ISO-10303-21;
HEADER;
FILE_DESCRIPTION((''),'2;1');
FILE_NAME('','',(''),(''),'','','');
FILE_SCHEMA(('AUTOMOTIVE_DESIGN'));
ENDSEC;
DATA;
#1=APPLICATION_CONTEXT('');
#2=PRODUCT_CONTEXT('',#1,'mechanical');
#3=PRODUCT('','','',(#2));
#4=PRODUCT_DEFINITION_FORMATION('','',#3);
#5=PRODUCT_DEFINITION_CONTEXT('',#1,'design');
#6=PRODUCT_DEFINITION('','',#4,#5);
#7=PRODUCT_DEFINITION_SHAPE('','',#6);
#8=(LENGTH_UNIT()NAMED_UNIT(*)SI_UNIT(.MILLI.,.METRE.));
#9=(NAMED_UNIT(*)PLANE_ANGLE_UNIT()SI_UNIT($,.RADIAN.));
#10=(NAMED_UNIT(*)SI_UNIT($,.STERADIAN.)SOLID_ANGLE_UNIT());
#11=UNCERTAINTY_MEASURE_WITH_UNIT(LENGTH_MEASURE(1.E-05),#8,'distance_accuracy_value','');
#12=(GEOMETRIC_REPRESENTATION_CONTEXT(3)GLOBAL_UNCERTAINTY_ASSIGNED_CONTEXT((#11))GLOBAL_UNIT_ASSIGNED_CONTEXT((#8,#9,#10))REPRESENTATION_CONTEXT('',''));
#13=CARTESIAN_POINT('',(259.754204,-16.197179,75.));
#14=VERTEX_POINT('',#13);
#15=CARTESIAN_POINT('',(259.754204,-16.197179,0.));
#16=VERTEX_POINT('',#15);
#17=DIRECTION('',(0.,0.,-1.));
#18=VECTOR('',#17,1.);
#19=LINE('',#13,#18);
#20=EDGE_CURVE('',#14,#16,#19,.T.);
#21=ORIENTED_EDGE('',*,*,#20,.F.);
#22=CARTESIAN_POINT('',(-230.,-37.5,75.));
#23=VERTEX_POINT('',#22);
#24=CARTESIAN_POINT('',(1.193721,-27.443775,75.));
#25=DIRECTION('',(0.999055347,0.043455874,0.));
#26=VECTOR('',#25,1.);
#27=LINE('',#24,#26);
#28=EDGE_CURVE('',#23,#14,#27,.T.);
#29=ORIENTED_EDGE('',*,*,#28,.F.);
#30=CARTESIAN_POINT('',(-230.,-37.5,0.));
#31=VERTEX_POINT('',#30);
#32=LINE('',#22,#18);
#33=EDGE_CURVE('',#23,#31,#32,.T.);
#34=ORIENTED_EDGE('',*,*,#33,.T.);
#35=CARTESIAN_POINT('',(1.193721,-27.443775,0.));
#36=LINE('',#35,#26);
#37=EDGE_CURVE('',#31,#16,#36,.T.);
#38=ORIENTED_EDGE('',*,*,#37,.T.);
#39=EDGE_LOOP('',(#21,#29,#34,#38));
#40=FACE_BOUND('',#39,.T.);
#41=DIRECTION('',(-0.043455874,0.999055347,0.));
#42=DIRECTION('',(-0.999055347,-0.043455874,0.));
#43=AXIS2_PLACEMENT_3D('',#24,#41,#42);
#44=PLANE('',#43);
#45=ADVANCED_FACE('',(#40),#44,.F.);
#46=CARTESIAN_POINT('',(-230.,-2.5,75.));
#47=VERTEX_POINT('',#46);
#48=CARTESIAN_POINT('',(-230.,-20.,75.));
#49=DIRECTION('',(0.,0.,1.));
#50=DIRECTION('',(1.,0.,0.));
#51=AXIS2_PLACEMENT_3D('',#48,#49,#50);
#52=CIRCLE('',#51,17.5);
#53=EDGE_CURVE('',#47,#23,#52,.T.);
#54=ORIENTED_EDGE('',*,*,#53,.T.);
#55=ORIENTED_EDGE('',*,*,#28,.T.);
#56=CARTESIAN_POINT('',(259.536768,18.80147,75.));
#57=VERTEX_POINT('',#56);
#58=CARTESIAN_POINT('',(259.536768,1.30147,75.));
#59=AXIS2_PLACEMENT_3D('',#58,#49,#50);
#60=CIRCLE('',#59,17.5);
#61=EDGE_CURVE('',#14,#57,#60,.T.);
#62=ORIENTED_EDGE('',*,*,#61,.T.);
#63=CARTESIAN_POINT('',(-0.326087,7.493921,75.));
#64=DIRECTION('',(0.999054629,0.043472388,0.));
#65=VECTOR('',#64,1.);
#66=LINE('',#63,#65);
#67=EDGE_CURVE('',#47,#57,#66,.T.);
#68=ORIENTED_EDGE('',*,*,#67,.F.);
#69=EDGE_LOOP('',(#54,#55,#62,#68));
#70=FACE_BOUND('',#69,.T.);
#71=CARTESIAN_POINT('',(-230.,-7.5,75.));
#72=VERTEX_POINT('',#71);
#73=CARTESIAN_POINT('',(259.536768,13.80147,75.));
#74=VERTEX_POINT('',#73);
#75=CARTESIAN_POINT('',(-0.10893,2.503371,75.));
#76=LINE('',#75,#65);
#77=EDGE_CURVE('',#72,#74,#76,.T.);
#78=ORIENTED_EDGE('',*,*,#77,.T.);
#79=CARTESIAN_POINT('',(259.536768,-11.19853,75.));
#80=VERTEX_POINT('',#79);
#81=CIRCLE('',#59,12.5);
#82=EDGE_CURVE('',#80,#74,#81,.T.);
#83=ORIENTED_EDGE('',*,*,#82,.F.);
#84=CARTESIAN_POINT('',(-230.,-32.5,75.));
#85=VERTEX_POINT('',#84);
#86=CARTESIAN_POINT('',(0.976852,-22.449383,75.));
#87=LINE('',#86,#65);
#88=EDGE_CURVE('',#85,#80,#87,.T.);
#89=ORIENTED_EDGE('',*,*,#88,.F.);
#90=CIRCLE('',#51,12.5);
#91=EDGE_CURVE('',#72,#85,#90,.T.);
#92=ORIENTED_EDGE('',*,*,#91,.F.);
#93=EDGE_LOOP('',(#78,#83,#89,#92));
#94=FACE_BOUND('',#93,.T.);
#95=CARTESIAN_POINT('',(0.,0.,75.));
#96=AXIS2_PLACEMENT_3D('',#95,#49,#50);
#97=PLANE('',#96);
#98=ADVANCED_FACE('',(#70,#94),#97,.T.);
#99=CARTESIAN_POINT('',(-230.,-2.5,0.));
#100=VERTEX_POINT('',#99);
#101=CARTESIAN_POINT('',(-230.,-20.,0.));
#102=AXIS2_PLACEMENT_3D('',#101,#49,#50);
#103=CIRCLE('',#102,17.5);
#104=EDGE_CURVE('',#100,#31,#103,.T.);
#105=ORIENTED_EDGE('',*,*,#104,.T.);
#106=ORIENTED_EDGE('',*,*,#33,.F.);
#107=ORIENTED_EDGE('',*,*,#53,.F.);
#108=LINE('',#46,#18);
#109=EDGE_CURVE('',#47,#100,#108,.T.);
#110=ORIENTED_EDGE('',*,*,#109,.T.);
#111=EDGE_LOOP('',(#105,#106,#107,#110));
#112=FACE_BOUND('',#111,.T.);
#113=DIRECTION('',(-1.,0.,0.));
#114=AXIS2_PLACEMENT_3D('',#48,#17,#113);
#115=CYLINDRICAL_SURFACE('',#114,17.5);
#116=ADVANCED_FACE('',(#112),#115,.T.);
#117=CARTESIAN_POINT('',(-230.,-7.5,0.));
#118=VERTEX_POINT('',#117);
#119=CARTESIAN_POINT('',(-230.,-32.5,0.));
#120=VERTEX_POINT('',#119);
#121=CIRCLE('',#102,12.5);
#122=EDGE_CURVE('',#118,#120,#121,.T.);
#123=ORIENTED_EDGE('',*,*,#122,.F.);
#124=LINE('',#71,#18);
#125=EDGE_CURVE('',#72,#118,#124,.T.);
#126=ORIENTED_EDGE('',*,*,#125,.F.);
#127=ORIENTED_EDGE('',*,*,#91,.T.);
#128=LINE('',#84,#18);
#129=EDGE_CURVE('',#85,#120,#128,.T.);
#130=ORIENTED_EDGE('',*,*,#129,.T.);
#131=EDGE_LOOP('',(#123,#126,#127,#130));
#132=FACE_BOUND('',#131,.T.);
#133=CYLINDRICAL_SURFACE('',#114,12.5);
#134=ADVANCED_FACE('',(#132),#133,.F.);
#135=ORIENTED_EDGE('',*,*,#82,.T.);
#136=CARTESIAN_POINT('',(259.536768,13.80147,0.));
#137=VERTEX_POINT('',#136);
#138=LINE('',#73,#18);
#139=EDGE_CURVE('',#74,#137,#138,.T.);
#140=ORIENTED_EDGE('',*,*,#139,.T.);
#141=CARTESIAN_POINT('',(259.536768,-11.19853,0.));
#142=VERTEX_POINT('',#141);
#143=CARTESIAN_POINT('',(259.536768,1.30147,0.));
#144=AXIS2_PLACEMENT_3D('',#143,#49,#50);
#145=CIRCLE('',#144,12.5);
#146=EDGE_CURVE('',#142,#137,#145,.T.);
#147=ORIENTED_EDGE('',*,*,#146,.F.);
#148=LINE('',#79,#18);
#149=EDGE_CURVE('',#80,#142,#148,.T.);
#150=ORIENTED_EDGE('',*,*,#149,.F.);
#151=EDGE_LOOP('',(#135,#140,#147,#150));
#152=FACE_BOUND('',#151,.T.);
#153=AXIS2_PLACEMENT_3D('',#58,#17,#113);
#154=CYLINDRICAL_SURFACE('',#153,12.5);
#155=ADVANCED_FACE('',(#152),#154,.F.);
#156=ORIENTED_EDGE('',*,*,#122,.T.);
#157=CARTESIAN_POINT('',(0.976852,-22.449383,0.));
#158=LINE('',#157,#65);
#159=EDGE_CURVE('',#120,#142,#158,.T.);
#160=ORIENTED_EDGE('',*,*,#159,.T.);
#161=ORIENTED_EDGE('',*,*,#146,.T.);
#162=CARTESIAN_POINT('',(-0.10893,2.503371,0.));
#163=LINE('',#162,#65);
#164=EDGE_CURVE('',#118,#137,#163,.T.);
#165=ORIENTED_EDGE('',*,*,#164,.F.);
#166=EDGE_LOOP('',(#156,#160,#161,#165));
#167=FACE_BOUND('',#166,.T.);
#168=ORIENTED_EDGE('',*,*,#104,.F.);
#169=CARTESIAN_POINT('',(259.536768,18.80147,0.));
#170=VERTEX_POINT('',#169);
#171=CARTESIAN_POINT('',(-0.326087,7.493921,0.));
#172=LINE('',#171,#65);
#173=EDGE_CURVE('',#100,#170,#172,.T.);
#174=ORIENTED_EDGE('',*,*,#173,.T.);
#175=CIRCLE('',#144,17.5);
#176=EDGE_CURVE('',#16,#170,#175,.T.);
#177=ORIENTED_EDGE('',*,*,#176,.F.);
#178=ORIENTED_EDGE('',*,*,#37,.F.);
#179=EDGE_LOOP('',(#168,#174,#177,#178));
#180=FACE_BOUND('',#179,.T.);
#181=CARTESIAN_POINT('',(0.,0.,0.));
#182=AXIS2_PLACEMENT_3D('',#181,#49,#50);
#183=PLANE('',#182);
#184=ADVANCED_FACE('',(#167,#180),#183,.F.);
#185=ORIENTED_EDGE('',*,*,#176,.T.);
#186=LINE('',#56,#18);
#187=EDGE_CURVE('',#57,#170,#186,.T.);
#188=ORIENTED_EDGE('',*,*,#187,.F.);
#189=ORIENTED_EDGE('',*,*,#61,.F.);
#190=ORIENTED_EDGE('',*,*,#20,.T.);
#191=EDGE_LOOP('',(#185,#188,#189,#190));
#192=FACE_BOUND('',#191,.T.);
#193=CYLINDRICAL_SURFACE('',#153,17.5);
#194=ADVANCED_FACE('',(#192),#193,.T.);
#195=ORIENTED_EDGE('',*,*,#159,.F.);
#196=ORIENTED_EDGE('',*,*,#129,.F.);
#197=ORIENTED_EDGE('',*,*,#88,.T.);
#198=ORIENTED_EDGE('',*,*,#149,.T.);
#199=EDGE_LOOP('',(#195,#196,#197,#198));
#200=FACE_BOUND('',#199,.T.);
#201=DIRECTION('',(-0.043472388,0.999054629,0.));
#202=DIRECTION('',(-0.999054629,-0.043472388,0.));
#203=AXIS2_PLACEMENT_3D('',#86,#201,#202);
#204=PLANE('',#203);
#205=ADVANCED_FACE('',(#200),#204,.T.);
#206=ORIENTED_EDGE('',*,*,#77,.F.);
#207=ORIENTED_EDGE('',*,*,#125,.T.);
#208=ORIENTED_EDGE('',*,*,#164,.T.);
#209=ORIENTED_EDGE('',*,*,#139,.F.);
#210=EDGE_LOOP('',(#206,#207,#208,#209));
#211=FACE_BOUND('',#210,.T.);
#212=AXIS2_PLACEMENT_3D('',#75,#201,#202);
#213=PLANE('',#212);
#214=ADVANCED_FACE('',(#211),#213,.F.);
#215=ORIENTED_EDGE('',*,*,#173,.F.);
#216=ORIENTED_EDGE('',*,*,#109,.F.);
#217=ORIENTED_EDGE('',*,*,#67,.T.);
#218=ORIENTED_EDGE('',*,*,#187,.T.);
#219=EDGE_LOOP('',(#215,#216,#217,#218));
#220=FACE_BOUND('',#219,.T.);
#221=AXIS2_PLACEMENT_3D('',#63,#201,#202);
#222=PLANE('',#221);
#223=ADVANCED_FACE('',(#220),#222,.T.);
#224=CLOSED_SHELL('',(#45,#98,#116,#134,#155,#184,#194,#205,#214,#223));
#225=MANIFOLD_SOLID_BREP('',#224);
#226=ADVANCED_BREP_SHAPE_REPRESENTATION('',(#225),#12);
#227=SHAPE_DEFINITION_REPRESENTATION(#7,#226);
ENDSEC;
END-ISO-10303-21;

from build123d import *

# Parameters (mm, degrees)
BOSS_EXTRUDE1_DEPTH = 75


with BuildPart() as part:
    # Sketch1 → Boss-Extrude1 (new body)
    with BuildSketch(Plane.XY):
        with BuildLine():
            Line((-230, -37.5), (259.754203513, -16.197179228))
            ThreePointArc((259.754203513, -16.197179228), (277.036430442, 1.410189691), (259.536768159, 18.801469916))
            Line((259.536768159, 18.801469916), (-230, -2.5))
            ThreePointArc((-230, -2.5), (-247.5, -20), (-230, -37.5))
        make_face()
        with BuildLine():
            ThreePointArc((259.536768159, -11.198530084), (272.036768159, 1.301469916), (259.536768159, 13.801469916))
            Line((259.536768159, 13.801469916), (-230, -7.5))
            ThreePointArc((-230, -7.5), (-242.5, -20), (-230, -32.5))
            Line((-230, -32.5), (259.536768159, -11.198530084))
        make_face(mode=Mode.SUBTRACT)
    extrude(amount=BOSS_EXTRUDE1_DEPTH)


solid = part.part
